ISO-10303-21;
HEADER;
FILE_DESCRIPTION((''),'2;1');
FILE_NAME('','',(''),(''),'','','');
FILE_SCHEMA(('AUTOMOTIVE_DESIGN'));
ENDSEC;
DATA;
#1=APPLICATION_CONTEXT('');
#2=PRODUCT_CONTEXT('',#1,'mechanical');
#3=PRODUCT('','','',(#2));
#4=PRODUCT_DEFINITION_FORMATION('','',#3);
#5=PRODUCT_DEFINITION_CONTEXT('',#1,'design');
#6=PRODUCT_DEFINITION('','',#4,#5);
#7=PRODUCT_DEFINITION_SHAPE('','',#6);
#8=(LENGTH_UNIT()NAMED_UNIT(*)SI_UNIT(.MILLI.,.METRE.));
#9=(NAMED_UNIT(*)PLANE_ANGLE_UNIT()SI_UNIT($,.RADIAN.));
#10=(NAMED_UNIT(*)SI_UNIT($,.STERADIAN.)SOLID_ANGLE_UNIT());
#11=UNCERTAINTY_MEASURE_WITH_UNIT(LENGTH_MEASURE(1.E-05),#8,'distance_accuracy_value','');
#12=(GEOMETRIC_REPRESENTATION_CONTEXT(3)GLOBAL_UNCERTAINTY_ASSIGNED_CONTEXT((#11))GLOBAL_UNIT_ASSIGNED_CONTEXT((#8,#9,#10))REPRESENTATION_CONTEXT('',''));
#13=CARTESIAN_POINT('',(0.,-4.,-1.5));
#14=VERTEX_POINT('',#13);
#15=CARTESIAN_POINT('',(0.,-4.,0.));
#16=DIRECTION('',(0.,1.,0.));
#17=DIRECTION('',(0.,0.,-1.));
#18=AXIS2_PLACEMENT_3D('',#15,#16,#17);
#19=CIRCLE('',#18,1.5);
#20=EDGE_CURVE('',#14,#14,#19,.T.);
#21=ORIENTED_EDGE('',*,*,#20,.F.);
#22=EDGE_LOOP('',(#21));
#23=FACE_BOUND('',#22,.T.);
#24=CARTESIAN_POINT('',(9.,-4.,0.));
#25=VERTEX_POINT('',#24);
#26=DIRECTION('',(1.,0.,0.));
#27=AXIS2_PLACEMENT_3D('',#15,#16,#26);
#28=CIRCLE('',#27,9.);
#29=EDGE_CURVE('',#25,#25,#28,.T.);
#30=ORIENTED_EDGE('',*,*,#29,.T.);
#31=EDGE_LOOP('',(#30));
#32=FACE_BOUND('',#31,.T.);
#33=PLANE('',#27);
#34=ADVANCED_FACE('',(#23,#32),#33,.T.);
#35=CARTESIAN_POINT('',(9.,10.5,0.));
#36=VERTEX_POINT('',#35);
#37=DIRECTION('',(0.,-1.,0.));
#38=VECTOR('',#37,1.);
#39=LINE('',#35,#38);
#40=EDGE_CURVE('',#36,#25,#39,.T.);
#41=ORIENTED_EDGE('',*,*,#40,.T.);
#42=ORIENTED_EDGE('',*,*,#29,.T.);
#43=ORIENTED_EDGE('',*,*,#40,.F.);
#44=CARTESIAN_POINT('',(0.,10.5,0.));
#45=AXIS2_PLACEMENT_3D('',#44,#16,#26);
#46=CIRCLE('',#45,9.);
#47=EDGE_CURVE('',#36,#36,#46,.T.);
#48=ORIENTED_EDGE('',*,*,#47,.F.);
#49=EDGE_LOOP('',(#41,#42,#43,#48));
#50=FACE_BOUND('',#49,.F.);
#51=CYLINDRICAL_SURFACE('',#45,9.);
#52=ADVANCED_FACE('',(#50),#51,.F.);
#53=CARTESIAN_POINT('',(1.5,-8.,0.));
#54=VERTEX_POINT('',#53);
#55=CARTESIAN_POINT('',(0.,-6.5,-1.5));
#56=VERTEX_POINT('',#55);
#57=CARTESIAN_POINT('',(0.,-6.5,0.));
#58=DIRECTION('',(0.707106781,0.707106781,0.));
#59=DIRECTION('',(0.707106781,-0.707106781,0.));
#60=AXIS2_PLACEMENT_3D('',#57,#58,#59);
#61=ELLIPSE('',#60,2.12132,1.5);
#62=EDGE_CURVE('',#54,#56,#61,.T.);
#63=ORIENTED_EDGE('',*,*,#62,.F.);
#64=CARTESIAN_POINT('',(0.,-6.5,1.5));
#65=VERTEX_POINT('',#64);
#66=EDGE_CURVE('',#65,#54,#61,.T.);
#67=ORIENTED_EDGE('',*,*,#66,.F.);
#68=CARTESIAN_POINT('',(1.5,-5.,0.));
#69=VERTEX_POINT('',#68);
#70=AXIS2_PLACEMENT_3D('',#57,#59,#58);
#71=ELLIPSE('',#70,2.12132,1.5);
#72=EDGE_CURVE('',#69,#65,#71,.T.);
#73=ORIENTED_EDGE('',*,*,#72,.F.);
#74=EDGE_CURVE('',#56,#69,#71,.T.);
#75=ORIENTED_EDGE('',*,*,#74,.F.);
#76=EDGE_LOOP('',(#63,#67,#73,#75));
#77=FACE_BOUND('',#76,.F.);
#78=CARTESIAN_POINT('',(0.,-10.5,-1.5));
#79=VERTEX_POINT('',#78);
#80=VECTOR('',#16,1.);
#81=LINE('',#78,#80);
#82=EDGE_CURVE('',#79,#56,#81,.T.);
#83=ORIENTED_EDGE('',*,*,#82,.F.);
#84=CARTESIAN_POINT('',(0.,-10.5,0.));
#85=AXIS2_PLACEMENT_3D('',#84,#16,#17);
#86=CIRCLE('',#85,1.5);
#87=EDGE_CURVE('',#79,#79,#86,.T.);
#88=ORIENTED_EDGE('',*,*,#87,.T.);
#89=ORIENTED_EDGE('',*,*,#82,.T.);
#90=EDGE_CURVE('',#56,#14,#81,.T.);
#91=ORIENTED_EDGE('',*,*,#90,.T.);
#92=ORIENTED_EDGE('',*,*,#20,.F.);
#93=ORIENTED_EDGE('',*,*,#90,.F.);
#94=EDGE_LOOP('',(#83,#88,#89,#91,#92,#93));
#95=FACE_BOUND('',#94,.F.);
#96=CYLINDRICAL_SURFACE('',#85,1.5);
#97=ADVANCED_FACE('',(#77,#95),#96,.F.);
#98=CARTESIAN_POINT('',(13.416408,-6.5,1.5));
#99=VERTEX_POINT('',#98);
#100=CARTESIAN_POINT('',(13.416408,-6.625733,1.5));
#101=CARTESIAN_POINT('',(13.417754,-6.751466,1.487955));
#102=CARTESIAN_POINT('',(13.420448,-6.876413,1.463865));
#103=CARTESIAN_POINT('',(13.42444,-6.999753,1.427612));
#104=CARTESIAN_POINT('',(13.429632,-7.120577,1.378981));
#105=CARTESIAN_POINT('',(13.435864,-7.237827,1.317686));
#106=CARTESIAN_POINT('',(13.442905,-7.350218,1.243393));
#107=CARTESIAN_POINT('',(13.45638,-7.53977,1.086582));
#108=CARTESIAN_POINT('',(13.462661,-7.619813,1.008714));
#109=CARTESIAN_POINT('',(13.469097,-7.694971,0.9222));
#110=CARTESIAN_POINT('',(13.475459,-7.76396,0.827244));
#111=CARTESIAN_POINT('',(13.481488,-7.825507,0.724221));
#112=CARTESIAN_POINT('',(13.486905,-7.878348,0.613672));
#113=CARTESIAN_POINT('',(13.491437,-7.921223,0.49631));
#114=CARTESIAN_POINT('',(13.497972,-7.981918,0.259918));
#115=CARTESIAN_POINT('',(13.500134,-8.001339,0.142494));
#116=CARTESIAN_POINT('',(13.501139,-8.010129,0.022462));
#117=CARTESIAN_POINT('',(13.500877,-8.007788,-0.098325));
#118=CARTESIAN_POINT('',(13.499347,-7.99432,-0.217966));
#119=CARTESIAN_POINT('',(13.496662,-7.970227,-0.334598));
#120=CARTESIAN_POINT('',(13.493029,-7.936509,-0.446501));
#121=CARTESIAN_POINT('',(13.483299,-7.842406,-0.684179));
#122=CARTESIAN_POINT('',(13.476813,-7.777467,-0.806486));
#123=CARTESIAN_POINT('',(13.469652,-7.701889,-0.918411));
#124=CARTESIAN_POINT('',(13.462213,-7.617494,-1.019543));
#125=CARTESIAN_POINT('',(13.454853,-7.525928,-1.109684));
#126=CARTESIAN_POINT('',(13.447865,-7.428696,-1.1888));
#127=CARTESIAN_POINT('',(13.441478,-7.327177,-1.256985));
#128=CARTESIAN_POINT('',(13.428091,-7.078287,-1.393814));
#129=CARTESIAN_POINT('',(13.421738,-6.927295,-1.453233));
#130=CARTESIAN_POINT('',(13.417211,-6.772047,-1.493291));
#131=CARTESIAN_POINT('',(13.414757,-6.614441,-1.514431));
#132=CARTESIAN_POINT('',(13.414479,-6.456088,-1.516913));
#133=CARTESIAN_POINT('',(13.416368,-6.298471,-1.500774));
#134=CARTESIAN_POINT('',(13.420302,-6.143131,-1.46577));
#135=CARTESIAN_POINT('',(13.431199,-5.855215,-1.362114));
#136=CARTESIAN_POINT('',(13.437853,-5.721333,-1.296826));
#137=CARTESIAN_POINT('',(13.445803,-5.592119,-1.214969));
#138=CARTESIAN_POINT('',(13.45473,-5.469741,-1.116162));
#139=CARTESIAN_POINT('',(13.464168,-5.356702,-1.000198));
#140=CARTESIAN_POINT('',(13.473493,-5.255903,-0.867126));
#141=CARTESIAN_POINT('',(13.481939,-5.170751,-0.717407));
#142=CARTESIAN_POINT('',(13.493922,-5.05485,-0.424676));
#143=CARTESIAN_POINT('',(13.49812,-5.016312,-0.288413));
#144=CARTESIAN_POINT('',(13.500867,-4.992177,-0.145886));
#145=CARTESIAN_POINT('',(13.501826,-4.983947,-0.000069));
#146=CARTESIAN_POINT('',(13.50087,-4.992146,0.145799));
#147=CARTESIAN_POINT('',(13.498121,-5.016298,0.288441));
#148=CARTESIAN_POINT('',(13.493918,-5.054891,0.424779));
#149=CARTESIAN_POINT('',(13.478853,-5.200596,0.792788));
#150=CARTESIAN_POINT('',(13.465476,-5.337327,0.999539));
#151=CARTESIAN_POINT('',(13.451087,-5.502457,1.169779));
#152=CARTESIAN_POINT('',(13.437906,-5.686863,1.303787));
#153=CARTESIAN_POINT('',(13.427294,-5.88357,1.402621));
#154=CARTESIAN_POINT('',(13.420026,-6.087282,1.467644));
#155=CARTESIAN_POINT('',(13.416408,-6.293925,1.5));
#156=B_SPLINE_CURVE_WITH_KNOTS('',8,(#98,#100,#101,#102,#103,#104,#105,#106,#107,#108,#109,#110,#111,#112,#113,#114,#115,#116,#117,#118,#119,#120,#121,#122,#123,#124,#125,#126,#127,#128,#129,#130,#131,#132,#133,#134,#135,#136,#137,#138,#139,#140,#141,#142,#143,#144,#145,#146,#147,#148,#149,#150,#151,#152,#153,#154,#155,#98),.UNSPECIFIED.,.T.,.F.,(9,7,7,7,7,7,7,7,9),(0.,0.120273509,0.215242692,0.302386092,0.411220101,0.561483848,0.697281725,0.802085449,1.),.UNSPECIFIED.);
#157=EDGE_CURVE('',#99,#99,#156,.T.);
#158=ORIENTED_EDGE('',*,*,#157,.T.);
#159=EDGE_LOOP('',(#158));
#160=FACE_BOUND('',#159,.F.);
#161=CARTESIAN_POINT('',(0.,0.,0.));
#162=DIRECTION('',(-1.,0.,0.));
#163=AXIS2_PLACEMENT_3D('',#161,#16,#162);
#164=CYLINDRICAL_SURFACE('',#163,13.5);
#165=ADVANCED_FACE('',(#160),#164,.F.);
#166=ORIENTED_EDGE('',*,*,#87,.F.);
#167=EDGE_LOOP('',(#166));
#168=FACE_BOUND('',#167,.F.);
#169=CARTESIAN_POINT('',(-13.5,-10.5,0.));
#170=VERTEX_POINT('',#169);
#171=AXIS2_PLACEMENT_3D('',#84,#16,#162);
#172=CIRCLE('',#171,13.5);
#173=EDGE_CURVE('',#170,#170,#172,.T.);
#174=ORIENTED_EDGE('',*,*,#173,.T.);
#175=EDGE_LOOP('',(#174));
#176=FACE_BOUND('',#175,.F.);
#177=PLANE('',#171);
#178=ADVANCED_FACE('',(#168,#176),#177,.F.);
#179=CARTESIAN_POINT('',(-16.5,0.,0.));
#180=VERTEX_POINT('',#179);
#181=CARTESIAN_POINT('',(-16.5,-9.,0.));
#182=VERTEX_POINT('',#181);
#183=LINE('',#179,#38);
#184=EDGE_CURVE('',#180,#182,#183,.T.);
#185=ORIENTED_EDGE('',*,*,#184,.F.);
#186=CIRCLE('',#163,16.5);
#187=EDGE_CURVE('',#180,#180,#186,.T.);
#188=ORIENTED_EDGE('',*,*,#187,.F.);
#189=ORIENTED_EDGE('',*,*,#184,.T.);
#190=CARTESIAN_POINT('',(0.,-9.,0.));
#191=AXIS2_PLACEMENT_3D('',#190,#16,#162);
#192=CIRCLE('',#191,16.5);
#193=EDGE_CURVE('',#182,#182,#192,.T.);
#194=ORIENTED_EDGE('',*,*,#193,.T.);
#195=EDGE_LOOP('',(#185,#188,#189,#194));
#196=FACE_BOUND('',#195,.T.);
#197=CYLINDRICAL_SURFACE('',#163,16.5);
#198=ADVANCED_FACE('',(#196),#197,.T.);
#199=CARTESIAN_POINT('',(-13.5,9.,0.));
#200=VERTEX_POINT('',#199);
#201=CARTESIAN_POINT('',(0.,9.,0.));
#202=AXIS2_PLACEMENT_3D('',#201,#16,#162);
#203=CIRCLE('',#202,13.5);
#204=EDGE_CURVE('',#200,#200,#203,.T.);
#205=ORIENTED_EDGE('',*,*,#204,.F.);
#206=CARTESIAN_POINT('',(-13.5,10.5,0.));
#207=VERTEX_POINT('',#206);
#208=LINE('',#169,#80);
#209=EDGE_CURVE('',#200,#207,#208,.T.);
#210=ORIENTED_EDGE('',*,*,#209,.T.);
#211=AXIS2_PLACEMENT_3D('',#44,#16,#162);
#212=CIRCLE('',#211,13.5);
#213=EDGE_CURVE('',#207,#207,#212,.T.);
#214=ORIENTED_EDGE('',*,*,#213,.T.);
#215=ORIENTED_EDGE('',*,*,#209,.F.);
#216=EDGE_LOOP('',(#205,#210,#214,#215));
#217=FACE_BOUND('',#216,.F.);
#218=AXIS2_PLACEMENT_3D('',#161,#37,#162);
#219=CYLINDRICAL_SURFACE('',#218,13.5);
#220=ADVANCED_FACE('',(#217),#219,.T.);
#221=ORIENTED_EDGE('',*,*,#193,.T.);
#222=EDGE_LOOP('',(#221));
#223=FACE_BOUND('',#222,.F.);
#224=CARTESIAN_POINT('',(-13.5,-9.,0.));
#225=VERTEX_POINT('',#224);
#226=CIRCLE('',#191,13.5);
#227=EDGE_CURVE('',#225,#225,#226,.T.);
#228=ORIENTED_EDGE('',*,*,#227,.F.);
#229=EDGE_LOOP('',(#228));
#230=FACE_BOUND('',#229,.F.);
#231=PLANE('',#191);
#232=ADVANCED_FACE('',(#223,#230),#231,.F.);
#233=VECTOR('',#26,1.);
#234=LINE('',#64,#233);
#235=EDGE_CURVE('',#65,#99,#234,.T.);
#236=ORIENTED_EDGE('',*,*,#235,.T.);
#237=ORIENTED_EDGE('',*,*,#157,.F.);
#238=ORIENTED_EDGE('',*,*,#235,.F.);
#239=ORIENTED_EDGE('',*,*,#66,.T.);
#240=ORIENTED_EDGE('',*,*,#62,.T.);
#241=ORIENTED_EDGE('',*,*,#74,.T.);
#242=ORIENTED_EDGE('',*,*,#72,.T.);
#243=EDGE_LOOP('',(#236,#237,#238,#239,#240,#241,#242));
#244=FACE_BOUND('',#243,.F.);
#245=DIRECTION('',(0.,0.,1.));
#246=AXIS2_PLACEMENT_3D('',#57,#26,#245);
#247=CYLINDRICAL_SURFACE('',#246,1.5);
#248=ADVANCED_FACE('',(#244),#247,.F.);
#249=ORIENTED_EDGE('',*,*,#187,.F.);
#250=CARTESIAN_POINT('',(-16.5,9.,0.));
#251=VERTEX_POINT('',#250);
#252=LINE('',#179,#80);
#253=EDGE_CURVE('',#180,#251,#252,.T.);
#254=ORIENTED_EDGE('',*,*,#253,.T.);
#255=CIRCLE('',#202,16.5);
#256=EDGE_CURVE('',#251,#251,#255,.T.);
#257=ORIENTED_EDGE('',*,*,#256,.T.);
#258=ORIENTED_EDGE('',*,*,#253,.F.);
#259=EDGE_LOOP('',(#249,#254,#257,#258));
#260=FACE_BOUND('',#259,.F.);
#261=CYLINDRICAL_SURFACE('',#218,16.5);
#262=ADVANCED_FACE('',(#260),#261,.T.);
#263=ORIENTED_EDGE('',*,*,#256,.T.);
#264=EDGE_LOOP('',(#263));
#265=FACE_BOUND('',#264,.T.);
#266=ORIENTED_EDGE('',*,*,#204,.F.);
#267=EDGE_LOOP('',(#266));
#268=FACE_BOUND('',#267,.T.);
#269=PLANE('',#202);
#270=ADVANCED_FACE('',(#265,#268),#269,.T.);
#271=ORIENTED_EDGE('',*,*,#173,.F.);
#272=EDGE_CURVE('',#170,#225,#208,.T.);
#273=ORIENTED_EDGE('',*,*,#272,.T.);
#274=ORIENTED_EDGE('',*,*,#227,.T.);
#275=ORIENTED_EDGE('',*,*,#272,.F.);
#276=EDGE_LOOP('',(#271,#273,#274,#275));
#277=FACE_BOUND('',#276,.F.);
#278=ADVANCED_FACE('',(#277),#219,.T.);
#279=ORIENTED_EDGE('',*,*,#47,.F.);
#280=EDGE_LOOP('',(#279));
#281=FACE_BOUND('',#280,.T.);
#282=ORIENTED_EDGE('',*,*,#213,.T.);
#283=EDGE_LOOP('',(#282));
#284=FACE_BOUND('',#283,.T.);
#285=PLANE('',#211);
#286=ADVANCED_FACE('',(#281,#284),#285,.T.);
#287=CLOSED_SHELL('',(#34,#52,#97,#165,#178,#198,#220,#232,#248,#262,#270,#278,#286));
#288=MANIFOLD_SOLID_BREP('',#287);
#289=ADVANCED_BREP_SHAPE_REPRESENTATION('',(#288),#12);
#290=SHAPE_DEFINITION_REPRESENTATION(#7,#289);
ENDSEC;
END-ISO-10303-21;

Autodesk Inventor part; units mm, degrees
ref_plane "YZ Plane" through (0, 0, 0) normal (1, 0, 0) x (0, 1, 0)
ref_plane "XZ Plane" through (0, 0, 0) normal (0, 1, 0) x (-1, 0, 0)
ref_plane "XY Plane" through (0, 0, 0) normal (0, 0, 1) x (1, 0, 0)
sketch "Náčrt1" plane through (0, 0, 0) normal (0, 1, 0) x (-1, 0, 0)
  circle A0 centre (0, 0) radius 16.5
  circle A1 centre (0, 0) radius 13.5
  dimension "d0" = 33
  dimension "d1" = 27
extrude "Vysunutí1" add sketch "Náčrt1" along normal mid plane 21 contours A1
sketch "Náčrt4" plane through (0, 0, 0) normal (1, 0, 0) x (0, 1, 0)
  line L0 (-10.5, 13.5) -> (-10.5, -13.5) projected
  point P0 (0, 0)
  point P1 (-6.5, 0)
  dimension "d16" = 4
hole "Díra2" at (0, -6.5, 0) direction (1, 0, 0) diameter 3 end through all
thread "Závit1" size "M3x0.5" class "6H" standard "ISO Metric profile" full length
extrude "Vysunutí2" add sketch "Náčrt1" along normal mid plane 18
sketch "Náčrt2" plane through (0, 10.5, 0) normal (0, 1, 0) x (1, 0, 0)
  circle A0 centre (0, 0) radius 9
  dimension "d6" = 18
extrude "Vysunutí3" cut sketch "Náčrt2" against normal blind 14.5
sketch "Náčrt3" plane through (0, -10.5, 0) normal (0, -1, 0) x (1, 0, 0)
  circle A0 centre (0, 0) radius 13.5 projected
hole "Díra1" at (0, -10.5, 0) direction (0, 1, 0) diameter 3 end through all
properties part number "JSUMO_Wheel_33x20mm"
